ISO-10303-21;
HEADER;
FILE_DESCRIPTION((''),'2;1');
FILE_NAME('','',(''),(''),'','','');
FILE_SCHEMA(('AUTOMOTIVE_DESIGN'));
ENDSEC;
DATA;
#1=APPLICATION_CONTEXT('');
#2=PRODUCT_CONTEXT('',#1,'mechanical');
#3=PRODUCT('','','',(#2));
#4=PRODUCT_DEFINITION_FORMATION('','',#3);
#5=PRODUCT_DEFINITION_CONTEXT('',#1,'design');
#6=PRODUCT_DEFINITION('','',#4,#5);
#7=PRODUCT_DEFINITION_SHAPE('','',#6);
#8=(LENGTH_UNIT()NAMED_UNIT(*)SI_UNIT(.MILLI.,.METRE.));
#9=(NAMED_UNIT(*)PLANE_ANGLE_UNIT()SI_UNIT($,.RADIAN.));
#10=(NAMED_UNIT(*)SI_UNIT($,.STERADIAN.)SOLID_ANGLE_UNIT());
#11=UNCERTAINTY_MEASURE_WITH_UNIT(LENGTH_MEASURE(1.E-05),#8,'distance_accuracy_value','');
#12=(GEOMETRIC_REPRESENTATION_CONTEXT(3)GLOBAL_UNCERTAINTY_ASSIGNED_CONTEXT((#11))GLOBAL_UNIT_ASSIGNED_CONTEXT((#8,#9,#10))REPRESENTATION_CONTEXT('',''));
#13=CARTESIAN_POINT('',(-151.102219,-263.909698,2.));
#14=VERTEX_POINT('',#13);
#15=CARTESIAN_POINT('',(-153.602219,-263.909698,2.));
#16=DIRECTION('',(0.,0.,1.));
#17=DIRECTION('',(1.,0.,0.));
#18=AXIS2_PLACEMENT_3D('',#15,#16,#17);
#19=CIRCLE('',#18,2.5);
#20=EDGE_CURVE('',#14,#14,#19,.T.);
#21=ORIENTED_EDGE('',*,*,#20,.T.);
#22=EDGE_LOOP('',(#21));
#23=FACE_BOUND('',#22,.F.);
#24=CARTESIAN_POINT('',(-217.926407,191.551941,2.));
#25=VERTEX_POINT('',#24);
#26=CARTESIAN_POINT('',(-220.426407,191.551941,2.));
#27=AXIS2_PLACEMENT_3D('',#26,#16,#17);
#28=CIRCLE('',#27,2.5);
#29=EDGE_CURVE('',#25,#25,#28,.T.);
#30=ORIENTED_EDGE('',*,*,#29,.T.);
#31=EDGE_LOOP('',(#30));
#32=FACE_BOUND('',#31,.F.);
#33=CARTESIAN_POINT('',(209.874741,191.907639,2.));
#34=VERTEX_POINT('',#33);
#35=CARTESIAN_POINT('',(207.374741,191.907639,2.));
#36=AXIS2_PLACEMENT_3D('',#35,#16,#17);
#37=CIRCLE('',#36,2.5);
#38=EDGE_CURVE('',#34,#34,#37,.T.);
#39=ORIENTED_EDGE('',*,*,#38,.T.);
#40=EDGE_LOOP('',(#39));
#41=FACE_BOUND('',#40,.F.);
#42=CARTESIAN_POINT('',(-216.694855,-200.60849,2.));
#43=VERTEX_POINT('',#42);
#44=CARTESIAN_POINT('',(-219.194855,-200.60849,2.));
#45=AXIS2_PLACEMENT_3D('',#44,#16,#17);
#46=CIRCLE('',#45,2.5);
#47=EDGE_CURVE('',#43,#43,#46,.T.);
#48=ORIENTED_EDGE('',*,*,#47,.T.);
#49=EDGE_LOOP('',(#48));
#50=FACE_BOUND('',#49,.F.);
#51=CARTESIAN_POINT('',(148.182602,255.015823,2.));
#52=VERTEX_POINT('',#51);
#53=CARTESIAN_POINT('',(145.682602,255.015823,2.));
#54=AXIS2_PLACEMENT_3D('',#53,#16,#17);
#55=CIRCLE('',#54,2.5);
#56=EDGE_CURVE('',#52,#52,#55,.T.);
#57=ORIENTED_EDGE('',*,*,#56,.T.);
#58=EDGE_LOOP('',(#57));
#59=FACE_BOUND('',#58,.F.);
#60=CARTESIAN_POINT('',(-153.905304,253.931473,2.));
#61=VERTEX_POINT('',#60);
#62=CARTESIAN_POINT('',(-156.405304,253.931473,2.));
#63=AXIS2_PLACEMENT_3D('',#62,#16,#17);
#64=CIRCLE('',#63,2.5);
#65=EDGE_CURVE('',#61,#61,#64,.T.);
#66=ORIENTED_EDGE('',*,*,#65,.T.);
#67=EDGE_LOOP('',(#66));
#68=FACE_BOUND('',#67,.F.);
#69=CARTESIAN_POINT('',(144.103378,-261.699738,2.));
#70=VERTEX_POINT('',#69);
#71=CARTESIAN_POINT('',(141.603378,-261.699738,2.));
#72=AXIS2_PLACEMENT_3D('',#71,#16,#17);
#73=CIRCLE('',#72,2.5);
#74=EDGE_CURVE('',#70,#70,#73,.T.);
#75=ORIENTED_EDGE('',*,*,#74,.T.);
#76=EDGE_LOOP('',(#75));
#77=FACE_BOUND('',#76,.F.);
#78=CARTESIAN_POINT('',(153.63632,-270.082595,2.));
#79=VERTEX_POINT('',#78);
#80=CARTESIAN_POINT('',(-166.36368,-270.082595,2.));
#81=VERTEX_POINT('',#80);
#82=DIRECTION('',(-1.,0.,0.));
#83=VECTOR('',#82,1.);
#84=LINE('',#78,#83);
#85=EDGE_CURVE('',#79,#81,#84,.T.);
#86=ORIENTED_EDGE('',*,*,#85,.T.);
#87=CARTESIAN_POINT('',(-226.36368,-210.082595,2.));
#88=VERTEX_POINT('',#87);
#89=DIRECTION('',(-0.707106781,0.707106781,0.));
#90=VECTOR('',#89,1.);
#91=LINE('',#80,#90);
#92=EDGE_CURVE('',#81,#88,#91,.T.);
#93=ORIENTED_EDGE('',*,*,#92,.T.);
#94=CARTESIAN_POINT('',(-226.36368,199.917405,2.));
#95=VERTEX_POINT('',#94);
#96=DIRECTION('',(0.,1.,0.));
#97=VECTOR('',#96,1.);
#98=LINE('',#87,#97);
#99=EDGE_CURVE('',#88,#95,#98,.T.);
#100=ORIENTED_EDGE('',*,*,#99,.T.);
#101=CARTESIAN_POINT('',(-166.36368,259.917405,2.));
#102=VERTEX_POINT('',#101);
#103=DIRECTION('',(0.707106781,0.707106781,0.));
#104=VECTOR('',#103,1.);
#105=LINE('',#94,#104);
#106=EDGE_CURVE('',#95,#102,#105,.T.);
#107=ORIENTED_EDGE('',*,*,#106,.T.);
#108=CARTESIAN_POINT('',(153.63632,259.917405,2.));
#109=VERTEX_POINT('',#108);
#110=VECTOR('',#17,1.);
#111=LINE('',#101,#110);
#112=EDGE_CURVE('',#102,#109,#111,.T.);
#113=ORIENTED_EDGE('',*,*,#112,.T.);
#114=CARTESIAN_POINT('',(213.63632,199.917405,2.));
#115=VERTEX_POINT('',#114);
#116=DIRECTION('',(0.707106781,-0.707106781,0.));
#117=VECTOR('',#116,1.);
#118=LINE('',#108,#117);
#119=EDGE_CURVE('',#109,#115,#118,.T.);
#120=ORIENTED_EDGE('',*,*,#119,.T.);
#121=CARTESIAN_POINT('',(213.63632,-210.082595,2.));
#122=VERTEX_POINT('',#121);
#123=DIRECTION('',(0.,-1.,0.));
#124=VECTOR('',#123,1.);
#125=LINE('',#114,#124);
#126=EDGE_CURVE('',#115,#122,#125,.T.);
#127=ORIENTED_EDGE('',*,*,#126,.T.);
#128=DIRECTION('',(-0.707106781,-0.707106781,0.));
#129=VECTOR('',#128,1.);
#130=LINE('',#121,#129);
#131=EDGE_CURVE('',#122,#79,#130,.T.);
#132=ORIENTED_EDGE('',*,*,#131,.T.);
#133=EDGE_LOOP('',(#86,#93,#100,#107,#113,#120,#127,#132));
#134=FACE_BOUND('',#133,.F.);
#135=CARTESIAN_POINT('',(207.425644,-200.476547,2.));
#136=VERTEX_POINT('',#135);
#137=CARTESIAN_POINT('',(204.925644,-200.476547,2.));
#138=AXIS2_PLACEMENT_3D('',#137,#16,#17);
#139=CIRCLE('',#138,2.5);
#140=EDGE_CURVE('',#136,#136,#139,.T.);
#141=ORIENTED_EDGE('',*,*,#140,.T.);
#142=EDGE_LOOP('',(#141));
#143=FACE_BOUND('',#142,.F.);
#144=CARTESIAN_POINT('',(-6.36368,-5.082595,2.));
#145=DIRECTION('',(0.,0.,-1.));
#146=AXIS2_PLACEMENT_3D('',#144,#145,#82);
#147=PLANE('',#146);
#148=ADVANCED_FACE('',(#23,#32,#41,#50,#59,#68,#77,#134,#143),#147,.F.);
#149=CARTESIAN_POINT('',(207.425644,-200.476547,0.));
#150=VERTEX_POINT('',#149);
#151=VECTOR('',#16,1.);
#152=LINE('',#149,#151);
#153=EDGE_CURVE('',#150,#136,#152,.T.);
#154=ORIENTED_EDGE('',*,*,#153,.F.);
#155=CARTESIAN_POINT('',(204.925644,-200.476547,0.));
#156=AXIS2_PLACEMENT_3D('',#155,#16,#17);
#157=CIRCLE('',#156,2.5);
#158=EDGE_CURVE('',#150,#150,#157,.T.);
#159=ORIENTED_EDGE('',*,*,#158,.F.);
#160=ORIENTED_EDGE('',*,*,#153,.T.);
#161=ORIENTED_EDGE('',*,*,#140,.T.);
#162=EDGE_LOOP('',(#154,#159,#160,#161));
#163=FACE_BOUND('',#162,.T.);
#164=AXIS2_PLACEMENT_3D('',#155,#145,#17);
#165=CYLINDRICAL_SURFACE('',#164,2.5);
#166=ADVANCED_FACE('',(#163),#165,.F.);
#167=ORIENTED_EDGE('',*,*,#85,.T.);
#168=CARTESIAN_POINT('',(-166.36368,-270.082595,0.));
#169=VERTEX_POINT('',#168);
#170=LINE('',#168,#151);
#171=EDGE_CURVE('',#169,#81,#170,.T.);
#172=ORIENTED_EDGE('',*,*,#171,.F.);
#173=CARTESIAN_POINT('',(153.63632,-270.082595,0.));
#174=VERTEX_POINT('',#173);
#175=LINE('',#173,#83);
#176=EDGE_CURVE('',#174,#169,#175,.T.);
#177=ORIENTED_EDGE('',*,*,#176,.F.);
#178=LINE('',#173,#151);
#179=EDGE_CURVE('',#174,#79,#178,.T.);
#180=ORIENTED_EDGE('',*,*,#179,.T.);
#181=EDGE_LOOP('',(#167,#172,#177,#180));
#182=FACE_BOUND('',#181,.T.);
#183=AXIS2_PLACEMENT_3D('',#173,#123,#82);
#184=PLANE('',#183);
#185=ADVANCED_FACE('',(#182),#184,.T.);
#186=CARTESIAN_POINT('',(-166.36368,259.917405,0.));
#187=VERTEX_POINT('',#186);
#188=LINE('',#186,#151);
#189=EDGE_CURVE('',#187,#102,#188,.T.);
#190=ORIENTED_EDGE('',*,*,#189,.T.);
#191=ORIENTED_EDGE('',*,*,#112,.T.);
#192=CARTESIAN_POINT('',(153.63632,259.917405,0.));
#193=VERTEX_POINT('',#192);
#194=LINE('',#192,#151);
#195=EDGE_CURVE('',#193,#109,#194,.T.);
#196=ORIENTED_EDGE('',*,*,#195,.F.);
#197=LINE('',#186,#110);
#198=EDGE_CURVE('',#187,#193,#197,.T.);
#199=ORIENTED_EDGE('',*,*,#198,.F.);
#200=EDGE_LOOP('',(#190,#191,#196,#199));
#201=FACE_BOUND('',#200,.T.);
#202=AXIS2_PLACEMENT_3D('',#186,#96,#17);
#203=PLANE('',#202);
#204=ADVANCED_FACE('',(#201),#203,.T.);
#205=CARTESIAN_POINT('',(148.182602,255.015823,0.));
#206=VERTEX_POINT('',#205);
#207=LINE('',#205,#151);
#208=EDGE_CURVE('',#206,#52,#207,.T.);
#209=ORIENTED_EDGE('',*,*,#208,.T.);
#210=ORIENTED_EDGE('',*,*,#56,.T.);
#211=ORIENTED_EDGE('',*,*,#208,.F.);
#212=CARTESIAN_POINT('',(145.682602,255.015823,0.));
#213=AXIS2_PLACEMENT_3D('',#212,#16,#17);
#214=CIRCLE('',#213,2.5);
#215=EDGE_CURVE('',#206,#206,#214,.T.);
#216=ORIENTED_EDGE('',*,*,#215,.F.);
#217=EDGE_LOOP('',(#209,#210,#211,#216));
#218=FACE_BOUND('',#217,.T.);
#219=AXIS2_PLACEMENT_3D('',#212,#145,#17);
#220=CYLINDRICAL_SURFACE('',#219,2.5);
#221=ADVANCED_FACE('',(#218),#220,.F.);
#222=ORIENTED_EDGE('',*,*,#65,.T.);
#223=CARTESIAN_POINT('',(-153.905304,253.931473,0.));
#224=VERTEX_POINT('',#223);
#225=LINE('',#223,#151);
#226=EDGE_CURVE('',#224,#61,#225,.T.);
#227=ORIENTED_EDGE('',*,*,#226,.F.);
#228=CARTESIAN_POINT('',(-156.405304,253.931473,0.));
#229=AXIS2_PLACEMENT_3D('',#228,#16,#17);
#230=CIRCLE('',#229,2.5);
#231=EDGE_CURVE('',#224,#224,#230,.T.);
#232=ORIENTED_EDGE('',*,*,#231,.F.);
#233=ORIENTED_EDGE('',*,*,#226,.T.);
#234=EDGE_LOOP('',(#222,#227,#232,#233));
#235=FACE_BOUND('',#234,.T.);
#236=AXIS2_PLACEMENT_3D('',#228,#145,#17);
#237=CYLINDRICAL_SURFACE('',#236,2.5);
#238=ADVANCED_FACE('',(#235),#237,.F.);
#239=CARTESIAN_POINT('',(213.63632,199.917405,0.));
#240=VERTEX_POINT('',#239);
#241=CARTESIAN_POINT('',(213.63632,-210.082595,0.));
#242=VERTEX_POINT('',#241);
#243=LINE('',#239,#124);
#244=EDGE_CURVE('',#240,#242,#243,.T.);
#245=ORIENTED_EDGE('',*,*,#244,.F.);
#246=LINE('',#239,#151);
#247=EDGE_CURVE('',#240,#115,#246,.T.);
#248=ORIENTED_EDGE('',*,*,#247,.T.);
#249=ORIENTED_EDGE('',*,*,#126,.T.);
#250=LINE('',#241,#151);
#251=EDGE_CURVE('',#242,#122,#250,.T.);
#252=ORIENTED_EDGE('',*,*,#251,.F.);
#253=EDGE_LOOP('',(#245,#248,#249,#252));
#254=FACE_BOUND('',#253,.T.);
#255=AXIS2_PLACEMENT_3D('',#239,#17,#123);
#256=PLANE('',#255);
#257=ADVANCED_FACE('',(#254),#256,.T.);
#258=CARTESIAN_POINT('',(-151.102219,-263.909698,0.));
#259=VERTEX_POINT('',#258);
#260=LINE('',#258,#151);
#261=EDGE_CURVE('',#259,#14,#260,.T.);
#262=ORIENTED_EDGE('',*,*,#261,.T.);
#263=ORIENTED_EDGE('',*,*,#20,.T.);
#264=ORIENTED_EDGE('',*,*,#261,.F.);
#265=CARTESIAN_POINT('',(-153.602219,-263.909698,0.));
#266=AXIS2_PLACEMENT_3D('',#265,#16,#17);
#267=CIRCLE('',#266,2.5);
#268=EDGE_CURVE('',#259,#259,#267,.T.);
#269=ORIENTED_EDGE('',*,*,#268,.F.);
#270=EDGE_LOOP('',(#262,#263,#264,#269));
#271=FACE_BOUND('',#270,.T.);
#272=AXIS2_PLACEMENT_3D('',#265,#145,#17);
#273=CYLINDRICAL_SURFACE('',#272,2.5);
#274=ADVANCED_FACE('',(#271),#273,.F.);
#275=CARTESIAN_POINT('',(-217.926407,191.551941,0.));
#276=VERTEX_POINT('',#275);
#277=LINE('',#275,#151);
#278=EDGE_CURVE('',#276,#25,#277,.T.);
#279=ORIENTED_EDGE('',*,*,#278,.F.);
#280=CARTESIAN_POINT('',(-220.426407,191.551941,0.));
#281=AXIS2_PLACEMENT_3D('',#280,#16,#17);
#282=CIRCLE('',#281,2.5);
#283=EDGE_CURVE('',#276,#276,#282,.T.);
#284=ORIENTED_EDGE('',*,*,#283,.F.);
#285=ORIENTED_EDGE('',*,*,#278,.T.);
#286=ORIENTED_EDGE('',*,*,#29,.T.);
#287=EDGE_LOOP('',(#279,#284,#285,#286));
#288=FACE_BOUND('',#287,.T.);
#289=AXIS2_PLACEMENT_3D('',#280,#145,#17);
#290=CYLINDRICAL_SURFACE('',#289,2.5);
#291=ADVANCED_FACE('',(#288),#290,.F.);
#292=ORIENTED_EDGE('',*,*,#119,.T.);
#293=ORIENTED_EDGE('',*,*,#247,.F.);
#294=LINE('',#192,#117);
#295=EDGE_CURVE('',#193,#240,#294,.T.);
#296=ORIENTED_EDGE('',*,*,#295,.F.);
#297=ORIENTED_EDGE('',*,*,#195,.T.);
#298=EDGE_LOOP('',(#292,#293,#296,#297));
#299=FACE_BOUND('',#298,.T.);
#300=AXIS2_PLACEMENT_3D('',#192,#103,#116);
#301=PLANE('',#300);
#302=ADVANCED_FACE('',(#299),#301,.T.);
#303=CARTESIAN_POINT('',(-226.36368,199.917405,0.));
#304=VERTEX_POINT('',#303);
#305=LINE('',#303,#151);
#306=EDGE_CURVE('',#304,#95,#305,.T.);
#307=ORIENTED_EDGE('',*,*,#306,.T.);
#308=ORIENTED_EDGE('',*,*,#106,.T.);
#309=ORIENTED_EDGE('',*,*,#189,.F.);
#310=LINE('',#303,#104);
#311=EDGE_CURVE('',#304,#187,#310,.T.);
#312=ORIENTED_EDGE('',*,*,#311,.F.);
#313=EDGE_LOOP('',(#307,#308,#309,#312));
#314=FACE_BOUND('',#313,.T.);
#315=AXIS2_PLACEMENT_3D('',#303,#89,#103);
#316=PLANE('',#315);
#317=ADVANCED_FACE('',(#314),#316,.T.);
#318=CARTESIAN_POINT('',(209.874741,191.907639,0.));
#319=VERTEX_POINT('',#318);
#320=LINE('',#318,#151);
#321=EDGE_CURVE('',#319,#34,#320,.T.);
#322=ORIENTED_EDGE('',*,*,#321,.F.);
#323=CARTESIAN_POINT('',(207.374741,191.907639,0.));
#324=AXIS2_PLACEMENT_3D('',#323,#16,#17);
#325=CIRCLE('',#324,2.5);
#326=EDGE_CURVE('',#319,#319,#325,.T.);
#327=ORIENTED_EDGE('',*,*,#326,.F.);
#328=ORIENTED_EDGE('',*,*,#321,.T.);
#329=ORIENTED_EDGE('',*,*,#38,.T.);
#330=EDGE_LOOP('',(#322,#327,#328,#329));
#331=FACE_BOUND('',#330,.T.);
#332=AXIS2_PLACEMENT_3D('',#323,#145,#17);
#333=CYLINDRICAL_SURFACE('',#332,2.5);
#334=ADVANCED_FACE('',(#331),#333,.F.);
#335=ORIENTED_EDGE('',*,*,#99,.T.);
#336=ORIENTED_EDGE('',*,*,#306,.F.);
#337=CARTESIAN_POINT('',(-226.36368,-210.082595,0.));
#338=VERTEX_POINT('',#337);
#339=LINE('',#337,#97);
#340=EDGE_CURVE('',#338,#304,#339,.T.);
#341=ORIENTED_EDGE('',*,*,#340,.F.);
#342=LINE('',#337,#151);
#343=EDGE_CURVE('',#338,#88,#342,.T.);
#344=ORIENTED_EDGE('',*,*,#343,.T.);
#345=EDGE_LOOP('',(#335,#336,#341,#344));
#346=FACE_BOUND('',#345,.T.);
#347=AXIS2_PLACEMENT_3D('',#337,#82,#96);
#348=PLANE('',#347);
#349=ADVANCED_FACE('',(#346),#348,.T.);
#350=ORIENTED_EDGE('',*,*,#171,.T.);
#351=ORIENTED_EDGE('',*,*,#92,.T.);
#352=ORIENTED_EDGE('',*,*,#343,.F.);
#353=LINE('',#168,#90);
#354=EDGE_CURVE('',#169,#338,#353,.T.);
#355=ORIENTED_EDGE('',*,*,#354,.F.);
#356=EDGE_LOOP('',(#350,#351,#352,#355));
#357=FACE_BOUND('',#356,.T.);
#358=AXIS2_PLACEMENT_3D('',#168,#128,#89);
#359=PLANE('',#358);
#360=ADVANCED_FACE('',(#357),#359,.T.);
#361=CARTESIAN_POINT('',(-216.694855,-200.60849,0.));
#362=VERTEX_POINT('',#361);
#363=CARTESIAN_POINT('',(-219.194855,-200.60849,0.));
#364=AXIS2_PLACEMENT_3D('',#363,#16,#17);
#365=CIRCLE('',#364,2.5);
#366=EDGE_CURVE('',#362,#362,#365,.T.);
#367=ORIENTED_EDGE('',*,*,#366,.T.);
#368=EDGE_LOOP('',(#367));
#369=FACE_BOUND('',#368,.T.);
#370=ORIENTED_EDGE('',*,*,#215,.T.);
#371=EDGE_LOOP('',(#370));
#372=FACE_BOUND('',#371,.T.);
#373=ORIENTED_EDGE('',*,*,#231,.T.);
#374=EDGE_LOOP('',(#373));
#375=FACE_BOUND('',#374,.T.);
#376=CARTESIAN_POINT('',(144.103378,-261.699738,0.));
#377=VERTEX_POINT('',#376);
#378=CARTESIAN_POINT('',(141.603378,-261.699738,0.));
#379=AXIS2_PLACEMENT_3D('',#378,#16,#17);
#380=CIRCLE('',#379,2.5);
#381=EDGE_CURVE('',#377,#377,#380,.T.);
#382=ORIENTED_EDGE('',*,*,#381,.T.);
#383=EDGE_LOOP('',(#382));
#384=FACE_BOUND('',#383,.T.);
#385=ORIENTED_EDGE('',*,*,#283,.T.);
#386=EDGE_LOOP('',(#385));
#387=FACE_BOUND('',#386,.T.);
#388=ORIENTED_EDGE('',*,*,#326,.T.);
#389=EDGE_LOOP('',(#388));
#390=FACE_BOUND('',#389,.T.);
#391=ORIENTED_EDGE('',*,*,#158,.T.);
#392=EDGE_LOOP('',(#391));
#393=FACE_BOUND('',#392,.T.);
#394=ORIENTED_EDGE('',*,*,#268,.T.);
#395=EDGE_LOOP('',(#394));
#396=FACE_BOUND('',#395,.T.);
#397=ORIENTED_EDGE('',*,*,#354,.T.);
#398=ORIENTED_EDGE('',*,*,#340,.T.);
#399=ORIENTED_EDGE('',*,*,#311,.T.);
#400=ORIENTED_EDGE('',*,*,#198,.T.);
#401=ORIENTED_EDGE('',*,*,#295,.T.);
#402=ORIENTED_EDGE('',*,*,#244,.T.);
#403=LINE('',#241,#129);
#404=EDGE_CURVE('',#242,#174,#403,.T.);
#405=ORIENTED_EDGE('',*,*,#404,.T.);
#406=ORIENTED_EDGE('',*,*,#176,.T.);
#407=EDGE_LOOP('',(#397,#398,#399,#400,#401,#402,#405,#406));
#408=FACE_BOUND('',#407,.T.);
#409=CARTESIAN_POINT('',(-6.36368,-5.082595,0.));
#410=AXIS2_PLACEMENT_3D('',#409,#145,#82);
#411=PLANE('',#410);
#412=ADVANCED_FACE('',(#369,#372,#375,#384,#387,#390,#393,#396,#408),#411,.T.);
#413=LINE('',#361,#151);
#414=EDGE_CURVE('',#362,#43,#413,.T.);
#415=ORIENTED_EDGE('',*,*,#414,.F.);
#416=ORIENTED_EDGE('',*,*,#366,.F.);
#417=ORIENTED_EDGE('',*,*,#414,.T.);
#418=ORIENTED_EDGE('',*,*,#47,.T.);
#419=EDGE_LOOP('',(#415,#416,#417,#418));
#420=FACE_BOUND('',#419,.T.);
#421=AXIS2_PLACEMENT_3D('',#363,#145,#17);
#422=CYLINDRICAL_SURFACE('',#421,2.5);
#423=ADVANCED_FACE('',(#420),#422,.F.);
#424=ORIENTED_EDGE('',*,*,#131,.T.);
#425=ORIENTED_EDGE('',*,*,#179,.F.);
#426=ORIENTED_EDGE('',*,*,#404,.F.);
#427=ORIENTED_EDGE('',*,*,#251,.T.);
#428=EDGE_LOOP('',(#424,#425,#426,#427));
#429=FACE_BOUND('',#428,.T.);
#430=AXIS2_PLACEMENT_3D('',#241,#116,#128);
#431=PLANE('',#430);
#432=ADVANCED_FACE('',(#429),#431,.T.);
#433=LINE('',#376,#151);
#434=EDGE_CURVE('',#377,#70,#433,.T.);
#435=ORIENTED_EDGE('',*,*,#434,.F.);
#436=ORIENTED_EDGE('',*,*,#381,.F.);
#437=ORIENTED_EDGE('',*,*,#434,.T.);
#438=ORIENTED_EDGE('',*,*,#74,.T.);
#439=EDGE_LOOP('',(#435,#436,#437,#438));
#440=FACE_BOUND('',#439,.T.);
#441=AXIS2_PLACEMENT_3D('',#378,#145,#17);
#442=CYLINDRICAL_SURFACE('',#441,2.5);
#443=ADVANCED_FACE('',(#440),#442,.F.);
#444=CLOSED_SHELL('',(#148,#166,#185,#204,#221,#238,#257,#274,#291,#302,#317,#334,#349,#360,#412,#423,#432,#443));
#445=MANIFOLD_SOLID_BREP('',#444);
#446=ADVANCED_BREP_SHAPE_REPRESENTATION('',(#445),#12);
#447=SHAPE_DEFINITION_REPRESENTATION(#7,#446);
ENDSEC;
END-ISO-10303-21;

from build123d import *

# Parameters (mm, degrees)
SKETCH_R  = 2.5
PAD_DEPTH = 2


with BuildPart() as part:
    # Sketch → Pad (new body)
    with BuildSketch(Plane.XY):
        Polygon((-166.36368, 259.917405), (153.63632, 259.917405), (213.63632, 199.917405), (213.63632, -210.082595), (153.63632, -270.082595), (-166.36368, -270.082595), (-226.36368, -210.082595), (-226.36368, 199.917405), align=None)
        with Locations((-220.426407, 191.551941)):
            Circle(SKETCH_R, mode=Mode.SUBTRACT)
        with Locations((-156.405304, 253.931473)):
            Circle(SKETCH_R, mode=Mode.SUBTRACT)
        with Locations((145.682602, 255.015823)):
            Circle(SKETCH_R, mode=Mode.SUBTRACT)
        with Locations((-219.194855, -200.60849)):
            Circle(SKETCH_R, mode=Mode.SUBTRACT)
        with Locations((-153.602219, -263.909698)):
            Circle(SKETCH_R, mode=Mode.SUBTRACT)
        with Locations((141.603378, -261.699738)):
            Circle(SKETCH_R, mode=Mode.SUBTRACT)
        with Locations((204.925644, -200.476547)):
            Circle(SKETCH_R, mode=Mode.SUBTRACT)
        with Locations((207.374741, 191.907639)):
            Circle(SKETCH_R, mode=Mode.SUBTRACT)
    extrude(amount=PAD_DEPTH)


solid = part.part
